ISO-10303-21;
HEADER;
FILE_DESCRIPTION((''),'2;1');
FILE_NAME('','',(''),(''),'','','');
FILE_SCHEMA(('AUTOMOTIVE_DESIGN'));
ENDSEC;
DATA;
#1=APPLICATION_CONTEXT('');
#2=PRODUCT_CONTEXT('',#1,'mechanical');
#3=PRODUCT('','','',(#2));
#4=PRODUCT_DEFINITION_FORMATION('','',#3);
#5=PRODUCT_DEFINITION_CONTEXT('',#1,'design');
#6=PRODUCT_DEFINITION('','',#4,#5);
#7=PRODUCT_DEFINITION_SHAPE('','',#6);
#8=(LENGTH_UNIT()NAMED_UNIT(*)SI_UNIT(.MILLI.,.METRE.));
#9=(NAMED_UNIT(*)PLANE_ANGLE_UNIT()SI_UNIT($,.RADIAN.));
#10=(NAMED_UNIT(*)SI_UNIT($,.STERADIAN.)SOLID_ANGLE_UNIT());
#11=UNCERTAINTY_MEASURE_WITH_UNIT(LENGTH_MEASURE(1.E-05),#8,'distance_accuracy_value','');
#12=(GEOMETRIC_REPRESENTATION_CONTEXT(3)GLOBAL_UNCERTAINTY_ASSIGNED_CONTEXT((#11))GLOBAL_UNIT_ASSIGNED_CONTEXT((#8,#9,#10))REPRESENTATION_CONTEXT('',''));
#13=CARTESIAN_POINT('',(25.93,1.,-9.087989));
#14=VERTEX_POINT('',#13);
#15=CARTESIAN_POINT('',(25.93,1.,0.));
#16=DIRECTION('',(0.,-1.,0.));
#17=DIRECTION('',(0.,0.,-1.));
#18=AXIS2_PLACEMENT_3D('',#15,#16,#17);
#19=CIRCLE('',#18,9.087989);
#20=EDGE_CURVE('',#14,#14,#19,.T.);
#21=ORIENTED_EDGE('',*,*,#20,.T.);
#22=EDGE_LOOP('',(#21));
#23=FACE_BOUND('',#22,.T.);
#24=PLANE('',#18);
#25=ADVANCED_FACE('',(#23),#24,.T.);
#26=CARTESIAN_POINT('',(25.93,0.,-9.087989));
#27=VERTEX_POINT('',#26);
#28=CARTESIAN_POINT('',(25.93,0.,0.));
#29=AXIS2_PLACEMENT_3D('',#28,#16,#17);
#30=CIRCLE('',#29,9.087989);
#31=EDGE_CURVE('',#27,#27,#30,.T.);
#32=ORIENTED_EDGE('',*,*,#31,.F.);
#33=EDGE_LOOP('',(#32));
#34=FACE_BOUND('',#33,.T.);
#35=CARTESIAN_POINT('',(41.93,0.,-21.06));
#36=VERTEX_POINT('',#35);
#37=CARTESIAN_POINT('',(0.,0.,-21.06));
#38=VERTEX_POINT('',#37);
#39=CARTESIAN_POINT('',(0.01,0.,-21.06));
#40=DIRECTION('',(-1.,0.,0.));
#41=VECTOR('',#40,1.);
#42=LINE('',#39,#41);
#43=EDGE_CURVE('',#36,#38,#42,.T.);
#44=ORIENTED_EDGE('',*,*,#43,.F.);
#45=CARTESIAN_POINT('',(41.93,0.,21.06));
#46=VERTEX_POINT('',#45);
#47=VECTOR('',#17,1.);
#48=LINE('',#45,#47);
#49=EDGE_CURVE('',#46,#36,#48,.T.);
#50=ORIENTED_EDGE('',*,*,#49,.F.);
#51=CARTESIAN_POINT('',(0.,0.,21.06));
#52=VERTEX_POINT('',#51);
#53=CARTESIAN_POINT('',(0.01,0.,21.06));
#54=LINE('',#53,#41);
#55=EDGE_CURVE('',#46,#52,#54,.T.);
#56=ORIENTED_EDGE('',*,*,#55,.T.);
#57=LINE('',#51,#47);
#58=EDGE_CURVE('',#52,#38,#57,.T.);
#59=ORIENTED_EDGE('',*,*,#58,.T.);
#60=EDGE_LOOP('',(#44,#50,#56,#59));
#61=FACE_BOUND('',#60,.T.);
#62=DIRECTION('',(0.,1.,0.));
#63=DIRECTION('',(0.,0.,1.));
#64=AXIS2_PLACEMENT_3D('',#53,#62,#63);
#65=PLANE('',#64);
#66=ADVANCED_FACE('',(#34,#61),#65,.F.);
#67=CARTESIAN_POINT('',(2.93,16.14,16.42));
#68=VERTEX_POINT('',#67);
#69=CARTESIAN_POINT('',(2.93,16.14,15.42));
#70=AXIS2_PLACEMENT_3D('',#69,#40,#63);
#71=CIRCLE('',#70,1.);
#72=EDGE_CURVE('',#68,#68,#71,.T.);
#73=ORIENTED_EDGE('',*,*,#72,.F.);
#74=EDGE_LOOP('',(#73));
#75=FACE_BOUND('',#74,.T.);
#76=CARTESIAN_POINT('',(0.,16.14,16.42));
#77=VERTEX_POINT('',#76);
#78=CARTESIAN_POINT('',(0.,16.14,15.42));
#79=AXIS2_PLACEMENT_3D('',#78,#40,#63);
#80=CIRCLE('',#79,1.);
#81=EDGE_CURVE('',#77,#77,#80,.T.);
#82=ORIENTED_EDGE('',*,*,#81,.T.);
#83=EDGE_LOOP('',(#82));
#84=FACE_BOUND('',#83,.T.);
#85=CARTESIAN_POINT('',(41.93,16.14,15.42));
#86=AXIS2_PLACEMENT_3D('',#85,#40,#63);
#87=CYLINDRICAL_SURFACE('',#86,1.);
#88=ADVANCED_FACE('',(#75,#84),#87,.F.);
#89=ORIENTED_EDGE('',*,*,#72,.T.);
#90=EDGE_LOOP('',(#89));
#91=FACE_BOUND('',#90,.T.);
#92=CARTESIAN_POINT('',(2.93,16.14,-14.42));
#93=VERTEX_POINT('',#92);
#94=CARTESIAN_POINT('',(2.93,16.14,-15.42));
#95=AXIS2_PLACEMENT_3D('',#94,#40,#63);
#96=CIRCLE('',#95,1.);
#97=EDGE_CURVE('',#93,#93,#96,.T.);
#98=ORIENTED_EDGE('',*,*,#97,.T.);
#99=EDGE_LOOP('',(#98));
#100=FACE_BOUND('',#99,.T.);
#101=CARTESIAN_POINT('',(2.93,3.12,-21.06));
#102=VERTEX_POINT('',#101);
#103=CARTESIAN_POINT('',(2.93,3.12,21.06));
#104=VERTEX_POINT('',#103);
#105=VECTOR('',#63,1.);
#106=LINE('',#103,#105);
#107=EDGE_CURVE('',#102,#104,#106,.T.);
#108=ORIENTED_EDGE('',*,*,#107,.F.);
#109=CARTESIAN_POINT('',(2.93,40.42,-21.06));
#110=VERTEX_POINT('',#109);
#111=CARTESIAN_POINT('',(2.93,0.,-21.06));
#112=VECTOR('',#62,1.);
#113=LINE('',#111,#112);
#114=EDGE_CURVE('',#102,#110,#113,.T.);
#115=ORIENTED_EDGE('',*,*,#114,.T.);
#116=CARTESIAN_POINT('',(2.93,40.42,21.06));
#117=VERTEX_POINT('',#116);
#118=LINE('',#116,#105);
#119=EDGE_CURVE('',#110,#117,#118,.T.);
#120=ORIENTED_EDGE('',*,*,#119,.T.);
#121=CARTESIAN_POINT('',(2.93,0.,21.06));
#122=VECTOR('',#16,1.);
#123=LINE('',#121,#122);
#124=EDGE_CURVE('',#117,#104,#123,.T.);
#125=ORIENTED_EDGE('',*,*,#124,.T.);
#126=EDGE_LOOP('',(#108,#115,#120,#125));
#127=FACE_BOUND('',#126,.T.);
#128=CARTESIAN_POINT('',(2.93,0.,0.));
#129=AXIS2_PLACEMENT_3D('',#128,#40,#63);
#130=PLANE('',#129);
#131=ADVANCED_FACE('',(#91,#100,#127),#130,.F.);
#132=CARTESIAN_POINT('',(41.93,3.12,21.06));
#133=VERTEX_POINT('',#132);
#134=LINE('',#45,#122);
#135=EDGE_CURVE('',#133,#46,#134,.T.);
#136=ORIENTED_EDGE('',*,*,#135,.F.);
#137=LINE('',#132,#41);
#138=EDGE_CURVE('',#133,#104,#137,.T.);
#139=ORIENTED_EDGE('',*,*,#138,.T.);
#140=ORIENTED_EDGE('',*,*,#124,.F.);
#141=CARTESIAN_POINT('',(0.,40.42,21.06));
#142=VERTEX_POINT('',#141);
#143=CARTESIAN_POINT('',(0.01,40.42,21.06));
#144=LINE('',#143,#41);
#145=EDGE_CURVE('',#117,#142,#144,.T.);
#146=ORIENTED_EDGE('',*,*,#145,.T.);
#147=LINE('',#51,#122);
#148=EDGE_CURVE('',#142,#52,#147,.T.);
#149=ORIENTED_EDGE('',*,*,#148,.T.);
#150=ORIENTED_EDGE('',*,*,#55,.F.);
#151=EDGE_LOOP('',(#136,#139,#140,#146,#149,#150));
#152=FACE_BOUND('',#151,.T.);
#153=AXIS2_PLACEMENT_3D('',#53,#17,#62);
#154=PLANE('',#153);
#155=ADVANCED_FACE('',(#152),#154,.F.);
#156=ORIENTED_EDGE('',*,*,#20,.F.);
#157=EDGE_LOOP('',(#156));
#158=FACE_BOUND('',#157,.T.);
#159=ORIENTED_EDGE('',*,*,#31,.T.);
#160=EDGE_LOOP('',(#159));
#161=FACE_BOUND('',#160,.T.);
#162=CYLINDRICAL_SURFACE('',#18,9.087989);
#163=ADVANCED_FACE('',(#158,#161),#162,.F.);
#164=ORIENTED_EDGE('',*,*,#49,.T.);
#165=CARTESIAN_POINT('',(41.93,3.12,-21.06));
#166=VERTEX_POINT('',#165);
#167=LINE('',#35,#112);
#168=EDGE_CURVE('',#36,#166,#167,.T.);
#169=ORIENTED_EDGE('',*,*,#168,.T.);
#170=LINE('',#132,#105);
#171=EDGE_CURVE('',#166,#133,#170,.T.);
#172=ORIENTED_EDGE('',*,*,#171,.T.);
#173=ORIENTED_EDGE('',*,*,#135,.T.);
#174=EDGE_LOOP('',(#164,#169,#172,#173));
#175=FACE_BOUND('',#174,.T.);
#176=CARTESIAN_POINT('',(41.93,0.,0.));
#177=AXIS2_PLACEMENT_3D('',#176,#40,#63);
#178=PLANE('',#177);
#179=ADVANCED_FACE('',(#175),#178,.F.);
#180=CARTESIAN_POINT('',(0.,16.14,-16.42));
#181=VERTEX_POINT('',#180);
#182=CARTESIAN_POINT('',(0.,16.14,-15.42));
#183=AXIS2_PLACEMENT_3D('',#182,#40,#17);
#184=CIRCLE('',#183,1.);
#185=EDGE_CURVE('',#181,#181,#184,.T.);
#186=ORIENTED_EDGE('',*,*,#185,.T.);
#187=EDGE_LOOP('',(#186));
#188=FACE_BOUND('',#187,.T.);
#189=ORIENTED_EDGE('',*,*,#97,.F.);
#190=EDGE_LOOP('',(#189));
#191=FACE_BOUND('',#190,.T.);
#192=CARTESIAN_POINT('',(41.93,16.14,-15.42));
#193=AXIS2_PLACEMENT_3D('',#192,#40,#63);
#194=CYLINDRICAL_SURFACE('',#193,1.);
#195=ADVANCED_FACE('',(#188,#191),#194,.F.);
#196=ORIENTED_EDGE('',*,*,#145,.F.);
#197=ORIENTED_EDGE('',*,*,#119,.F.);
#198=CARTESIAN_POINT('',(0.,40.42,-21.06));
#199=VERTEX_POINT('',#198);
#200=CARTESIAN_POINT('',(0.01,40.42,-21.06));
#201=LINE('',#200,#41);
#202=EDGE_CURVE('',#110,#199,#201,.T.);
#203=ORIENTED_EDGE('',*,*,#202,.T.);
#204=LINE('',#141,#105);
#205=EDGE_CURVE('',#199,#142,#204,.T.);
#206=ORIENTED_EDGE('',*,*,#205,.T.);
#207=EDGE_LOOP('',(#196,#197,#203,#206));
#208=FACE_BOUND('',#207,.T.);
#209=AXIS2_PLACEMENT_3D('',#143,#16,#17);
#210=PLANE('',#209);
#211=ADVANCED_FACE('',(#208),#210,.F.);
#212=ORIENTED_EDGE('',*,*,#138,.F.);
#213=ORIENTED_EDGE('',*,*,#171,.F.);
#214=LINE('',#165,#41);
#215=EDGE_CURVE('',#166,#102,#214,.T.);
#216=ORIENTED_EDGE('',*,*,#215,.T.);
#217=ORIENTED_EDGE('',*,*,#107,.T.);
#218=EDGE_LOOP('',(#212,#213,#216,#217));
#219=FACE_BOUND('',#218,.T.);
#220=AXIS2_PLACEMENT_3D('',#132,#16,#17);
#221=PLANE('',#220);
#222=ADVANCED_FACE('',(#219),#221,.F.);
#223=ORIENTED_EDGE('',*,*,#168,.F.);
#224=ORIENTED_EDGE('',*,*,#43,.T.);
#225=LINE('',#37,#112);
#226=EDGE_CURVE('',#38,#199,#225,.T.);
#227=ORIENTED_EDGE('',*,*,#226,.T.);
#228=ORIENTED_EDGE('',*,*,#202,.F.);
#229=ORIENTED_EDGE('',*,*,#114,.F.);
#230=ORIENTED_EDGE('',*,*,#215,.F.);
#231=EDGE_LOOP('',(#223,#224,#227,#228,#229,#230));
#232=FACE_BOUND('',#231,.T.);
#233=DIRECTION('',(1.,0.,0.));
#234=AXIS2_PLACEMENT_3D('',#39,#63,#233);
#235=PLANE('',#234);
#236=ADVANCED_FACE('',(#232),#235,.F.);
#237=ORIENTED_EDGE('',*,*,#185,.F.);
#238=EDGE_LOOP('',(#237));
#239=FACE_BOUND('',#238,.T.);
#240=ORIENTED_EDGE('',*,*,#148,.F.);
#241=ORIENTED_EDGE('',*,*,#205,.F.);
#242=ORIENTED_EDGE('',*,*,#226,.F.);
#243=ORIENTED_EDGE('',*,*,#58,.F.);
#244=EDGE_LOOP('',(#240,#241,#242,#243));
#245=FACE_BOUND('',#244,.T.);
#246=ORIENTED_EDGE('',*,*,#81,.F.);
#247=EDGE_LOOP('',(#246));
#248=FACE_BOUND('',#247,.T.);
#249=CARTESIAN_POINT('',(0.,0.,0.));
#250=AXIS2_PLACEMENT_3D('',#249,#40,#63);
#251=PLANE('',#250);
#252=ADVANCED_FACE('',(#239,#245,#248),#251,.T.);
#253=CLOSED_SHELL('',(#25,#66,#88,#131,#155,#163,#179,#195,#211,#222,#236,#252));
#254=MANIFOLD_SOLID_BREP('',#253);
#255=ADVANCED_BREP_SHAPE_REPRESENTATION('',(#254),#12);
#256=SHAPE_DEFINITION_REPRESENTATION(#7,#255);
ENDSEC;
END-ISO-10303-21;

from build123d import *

# Parameters (mm, degrees)
SKETCH1_W           = 42.12
SKETCH1_H           = 40.42
BOSS_EXTRUDE1_DEPTH = 0.01
SKETCH2_W           = 42.12
SKETCH2_H           = 40.42
BOSS_EXTRUDE2_DEPTH = 2.92
SKETCH3_W           = 42.12
SKETCH3_H           = 3.12
BOSS_EXTRUDE3_DEPTH = 39
SKETCH4_R           = 1
CUT_EXTRUDE1_DEPTH  = 62.930807358
SKETCH5_R           = 9.087989047
CUT_EXTRUDE2_DEPTH  = 1


with BuildPart() as part:
    # Sketch1 → Boss-Extrude1 (new body)
    with BuildSketch(Plane(origin=(0, 0, 0), x_dir=(0, 0, -1), z_dir=(1, 0, 0))):
        with Locations((0, 20.21)):
            Rectangle(SKETCH1_W, SKETCH1_H)
    extrude(amount=BOSS_EXTRUDE1_DEPTH)

    # Sketch2 → Boss-Extrude2 (add)
    with BuildSketch(Plane(origin=(0.01, 0, 0), x_dir=(0, 0, -1), z_dir=(1, 0, 0))):
        with Locations((0, 20.21)):
            Rectangle(SKETCH2_W, SKETCH2_H)
    extrude(amount=BOSS_EXTRUDE2_DEPTH)

    # Sketch3 → Boss-Extrude3 (add)
    with BuildSketch(Plane(origin=(2.93, 0, 0), x_dir=(0, 0, -1), z_dir=(1, 0, 0))):
        with Locations((0, 1.56)):
            Rectangle(SKETCH3_W, SKETCH3_H)
    extrude(amount=BOSS_EXTRUDE3_DEPTH)

    # Sketch4 → Cut-Extrude1 (cut, through all)
    with BuildSketch(Plane.ZY):
        with Locations((15.42, 16.14)):
            Circle(SKETCH4_R)
        with Locations((-15.42, 16.14)):
            Circle(SKETCH4_R)
    extrude(amount=-CUT_EXTRUDE1_DEPTH, mode=Mode.SUBTRACT)

    # Sketch5 → Cut-Extrude2 (cut)
    with BuildSketch(Plane.XZ):
        with Locations(Location((25.93, 0, 0), (0, 0, 270))):
            Circle(SKETCH5_R)
    extrude(amount=-CUT_EXTRUDE2_DEPTH, mode=Mode.SUBTRACT)


solid = part.part
